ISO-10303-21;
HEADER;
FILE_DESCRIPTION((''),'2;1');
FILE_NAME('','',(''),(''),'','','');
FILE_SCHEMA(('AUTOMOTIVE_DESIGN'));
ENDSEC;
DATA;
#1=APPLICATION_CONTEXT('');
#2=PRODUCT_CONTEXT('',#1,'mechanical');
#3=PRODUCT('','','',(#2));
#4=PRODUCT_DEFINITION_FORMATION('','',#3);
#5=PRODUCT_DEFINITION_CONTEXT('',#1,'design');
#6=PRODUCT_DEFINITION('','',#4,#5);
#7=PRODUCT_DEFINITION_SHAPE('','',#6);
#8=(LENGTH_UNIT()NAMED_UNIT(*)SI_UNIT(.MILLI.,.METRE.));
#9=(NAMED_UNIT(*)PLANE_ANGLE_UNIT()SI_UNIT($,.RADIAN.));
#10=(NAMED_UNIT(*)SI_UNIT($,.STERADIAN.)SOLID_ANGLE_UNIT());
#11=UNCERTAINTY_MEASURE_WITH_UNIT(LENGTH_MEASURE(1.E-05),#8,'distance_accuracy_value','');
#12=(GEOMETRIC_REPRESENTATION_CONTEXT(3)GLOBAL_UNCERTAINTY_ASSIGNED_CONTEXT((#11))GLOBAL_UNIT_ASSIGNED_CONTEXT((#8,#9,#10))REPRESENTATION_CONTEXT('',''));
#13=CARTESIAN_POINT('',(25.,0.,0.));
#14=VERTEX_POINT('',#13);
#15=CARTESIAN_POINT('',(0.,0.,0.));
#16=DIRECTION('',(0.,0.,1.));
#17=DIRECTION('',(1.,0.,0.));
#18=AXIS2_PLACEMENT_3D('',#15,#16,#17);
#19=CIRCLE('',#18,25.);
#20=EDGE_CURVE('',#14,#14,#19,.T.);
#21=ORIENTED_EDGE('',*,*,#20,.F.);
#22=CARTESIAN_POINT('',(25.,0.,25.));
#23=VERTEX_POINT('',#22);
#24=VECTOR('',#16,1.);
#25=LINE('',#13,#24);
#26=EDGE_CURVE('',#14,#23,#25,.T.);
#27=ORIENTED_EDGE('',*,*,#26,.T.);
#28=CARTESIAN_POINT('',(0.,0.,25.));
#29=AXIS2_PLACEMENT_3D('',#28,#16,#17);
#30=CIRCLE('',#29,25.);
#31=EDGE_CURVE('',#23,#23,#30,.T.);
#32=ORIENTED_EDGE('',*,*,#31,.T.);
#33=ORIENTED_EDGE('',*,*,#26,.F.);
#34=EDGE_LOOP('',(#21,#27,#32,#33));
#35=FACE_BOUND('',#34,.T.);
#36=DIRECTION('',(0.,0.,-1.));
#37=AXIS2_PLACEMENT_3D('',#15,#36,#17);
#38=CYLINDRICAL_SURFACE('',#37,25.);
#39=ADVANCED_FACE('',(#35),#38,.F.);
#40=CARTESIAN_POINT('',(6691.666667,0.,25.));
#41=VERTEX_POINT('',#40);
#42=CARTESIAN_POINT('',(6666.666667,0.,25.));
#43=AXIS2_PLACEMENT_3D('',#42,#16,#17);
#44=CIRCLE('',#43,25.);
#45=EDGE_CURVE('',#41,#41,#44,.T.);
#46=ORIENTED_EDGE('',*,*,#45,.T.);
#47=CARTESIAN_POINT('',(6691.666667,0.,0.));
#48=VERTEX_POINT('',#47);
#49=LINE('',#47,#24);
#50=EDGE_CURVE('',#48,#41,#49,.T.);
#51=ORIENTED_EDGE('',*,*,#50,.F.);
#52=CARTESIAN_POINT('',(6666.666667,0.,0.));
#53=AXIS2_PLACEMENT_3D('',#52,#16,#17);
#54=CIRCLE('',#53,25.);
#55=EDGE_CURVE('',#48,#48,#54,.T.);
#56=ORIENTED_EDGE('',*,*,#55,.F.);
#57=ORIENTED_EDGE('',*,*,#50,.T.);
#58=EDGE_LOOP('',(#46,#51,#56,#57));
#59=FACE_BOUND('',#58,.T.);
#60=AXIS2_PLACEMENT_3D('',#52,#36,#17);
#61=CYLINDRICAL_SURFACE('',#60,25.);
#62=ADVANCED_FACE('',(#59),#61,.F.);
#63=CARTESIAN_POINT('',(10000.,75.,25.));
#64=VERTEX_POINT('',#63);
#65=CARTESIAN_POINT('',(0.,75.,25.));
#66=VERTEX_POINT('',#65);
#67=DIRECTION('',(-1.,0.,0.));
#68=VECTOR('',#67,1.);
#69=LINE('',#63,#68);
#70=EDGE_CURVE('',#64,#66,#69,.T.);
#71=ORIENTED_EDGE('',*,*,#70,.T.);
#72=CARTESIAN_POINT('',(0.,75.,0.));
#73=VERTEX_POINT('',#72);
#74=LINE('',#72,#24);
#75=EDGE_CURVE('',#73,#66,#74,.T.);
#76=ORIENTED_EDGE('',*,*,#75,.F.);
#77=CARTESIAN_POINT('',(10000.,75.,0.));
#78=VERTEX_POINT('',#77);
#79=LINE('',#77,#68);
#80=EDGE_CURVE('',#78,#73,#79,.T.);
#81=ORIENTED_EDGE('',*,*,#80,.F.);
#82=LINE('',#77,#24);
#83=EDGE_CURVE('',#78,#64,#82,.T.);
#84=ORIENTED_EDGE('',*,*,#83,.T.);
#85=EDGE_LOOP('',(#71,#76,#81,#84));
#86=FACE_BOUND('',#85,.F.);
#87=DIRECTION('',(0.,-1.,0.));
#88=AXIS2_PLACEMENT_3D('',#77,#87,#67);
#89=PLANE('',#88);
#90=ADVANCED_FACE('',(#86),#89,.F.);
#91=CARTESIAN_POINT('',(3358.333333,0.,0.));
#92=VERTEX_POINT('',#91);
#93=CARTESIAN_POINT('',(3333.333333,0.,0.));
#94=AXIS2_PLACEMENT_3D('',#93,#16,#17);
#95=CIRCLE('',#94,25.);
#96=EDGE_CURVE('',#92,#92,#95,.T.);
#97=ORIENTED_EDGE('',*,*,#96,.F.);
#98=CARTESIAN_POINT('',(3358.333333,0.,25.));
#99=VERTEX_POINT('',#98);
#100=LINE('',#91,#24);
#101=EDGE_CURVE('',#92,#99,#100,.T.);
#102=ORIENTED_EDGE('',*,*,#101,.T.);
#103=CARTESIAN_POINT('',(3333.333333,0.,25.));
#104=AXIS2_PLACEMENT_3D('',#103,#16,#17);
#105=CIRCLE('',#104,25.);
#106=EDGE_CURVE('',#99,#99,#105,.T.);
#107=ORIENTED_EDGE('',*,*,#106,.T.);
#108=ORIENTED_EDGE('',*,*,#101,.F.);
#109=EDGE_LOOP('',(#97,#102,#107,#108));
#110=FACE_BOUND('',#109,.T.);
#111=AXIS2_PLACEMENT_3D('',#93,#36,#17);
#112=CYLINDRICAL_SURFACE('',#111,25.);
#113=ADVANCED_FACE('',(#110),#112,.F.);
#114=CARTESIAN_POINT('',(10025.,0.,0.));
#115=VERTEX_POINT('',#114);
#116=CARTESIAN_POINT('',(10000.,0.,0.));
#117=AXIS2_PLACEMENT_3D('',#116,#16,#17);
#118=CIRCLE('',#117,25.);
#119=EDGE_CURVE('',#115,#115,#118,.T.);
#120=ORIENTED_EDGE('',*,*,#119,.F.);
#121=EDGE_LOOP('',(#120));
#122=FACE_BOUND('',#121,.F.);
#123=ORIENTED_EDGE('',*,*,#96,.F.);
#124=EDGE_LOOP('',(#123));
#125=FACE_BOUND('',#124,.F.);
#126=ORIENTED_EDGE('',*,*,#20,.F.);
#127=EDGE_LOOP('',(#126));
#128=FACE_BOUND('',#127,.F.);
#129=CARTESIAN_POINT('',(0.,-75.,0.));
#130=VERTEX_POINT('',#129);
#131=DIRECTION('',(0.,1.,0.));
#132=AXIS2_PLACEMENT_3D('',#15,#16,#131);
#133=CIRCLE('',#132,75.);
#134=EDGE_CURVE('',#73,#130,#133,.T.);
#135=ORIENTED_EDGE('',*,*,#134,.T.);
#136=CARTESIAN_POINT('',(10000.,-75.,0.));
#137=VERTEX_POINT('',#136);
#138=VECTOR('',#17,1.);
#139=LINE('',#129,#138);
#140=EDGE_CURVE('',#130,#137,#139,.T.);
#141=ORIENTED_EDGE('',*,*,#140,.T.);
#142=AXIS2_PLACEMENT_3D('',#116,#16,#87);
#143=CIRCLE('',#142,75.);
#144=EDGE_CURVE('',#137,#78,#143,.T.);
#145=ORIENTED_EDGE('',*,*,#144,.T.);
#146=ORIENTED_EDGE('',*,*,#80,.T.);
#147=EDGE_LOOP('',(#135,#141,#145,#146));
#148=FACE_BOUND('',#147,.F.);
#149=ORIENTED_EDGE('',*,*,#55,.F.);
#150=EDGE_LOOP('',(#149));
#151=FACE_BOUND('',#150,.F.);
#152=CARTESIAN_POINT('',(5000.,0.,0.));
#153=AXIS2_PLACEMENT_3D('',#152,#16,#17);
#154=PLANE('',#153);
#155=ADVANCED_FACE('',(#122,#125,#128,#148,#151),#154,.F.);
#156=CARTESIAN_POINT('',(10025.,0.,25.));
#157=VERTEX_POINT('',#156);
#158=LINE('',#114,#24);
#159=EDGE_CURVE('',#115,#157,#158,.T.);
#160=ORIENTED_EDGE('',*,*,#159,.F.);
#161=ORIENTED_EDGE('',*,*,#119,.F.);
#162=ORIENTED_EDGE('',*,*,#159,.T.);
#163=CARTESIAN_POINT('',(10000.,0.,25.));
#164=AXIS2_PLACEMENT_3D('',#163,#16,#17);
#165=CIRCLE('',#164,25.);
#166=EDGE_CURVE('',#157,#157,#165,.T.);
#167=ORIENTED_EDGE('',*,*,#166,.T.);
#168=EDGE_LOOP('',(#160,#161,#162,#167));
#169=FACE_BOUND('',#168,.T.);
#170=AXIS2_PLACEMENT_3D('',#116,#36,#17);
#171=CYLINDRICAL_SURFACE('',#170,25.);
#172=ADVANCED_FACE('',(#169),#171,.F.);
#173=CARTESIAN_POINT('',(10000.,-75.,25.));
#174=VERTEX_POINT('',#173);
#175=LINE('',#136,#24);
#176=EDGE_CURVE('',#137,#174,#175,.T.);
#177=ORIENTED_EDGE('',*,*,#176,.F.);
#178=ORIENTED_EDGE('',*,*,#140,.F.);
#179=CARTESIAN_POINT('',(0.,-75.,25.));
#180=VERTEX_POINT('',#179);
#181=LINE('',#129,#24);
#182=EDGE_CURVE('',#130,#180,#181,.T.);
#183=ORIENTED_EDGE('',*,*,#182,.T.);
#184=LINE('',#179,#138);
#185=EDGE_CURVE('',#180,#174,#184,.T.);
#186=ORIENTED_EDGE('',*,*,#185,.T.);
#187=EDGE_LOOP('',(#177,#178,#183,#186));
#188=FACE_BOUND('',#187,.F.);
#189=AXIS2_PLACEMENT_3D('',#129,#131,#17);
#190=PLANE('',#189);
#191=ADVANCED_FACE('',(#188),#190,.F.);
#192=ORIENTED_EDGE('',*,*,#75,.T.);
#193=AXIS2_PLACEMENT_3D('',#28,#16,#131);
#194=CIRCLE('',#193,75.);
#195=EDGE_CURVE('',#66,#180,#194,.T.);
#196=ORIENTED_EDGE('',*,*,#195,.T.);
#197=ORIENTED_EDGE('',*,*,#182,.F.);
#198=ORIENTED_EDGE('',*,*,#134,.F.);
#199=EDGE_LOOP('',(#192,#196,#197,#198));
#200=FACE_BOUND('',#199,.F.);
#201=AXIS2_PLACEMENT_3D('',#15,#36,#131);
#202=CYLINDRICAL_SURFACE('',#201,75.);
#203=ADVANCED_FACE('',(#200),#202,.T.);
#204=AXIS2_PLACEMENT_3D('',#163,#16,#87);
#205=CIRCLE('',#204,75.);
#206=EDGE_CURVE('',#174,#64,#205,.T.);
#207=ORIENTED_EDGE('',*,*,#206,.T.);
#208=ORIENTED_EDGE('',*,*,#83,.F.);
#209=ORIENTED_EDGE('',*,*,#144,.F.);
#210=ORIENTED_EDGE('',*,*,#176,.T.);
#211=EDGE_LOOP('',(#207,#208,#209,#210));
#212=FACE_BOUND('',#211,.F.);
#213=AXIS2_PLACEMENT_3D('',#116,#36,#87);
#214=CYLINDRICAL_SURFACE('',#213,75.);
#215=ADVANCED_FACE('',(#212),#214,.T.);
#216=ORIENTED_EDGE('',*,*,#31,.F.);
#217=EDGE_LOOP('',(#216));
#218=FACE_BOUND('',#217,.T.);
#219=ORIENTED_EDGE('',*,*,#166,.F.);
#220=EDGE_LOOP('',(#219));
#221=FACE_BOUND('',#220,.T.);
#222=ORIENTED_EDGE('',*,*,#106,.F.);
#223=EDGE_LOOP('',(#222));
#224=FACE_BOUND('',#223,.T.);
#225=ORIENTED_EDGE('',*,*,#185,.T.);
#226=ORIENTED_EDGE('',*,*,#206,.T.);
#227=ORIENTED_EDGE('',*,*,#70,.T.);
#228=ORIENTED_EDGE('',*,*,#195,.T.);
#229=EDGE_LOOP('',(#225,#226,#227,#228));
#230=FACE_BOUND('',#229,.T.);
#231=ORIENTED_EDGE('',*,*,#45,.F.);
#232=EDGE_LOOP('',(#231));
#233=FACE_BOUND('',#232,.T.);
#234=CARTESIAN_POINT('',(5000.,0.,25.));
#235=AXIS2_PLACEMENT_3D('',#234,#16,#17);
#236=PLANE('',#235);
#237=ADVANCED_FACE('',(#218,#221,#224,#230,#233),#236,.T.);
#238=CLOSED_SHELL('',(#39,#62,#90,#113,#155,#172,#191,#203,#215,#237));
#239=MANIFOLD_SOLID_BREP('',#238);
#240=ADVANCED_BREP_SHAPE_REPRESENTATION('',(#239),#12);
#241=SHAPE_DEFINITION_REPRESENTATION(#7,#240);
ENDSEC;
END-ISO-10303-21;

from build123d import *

# Parameters (mm, degrees)
F1_R     = 25
F2_DEPTH = 25


with BuildPart() as f2:
    # F1 (on Top) → F2 (new body)
    with BuildSketch(Plane.XY):
        with BuildLine():
            ThreePointArc((0, 75), (-75, 0), (0, -75))
            Line((0, -75), (10000, -75))
            ThreePointArc((10000, -75), (10075, 0), (10000, 75))
            Line((10000, 75), (0, 75))
        make_face()
        Circle(F1_R, mode=Mode.SUBTRACT)
        with Locations((3333.333333, 0)):
            Circle(F1_R, mode=Mode.SUBTRACT)
        with Locations((6666.666667, 0)):
            Circle(F1_R, mode=Mode.SUBTRACT)
        with Locations((10000, 0)):
            Circle(F1_R, mode=Mode.SUBTRACT)
    extrude(amount=F2_DEPTH)


solid = f2.part
